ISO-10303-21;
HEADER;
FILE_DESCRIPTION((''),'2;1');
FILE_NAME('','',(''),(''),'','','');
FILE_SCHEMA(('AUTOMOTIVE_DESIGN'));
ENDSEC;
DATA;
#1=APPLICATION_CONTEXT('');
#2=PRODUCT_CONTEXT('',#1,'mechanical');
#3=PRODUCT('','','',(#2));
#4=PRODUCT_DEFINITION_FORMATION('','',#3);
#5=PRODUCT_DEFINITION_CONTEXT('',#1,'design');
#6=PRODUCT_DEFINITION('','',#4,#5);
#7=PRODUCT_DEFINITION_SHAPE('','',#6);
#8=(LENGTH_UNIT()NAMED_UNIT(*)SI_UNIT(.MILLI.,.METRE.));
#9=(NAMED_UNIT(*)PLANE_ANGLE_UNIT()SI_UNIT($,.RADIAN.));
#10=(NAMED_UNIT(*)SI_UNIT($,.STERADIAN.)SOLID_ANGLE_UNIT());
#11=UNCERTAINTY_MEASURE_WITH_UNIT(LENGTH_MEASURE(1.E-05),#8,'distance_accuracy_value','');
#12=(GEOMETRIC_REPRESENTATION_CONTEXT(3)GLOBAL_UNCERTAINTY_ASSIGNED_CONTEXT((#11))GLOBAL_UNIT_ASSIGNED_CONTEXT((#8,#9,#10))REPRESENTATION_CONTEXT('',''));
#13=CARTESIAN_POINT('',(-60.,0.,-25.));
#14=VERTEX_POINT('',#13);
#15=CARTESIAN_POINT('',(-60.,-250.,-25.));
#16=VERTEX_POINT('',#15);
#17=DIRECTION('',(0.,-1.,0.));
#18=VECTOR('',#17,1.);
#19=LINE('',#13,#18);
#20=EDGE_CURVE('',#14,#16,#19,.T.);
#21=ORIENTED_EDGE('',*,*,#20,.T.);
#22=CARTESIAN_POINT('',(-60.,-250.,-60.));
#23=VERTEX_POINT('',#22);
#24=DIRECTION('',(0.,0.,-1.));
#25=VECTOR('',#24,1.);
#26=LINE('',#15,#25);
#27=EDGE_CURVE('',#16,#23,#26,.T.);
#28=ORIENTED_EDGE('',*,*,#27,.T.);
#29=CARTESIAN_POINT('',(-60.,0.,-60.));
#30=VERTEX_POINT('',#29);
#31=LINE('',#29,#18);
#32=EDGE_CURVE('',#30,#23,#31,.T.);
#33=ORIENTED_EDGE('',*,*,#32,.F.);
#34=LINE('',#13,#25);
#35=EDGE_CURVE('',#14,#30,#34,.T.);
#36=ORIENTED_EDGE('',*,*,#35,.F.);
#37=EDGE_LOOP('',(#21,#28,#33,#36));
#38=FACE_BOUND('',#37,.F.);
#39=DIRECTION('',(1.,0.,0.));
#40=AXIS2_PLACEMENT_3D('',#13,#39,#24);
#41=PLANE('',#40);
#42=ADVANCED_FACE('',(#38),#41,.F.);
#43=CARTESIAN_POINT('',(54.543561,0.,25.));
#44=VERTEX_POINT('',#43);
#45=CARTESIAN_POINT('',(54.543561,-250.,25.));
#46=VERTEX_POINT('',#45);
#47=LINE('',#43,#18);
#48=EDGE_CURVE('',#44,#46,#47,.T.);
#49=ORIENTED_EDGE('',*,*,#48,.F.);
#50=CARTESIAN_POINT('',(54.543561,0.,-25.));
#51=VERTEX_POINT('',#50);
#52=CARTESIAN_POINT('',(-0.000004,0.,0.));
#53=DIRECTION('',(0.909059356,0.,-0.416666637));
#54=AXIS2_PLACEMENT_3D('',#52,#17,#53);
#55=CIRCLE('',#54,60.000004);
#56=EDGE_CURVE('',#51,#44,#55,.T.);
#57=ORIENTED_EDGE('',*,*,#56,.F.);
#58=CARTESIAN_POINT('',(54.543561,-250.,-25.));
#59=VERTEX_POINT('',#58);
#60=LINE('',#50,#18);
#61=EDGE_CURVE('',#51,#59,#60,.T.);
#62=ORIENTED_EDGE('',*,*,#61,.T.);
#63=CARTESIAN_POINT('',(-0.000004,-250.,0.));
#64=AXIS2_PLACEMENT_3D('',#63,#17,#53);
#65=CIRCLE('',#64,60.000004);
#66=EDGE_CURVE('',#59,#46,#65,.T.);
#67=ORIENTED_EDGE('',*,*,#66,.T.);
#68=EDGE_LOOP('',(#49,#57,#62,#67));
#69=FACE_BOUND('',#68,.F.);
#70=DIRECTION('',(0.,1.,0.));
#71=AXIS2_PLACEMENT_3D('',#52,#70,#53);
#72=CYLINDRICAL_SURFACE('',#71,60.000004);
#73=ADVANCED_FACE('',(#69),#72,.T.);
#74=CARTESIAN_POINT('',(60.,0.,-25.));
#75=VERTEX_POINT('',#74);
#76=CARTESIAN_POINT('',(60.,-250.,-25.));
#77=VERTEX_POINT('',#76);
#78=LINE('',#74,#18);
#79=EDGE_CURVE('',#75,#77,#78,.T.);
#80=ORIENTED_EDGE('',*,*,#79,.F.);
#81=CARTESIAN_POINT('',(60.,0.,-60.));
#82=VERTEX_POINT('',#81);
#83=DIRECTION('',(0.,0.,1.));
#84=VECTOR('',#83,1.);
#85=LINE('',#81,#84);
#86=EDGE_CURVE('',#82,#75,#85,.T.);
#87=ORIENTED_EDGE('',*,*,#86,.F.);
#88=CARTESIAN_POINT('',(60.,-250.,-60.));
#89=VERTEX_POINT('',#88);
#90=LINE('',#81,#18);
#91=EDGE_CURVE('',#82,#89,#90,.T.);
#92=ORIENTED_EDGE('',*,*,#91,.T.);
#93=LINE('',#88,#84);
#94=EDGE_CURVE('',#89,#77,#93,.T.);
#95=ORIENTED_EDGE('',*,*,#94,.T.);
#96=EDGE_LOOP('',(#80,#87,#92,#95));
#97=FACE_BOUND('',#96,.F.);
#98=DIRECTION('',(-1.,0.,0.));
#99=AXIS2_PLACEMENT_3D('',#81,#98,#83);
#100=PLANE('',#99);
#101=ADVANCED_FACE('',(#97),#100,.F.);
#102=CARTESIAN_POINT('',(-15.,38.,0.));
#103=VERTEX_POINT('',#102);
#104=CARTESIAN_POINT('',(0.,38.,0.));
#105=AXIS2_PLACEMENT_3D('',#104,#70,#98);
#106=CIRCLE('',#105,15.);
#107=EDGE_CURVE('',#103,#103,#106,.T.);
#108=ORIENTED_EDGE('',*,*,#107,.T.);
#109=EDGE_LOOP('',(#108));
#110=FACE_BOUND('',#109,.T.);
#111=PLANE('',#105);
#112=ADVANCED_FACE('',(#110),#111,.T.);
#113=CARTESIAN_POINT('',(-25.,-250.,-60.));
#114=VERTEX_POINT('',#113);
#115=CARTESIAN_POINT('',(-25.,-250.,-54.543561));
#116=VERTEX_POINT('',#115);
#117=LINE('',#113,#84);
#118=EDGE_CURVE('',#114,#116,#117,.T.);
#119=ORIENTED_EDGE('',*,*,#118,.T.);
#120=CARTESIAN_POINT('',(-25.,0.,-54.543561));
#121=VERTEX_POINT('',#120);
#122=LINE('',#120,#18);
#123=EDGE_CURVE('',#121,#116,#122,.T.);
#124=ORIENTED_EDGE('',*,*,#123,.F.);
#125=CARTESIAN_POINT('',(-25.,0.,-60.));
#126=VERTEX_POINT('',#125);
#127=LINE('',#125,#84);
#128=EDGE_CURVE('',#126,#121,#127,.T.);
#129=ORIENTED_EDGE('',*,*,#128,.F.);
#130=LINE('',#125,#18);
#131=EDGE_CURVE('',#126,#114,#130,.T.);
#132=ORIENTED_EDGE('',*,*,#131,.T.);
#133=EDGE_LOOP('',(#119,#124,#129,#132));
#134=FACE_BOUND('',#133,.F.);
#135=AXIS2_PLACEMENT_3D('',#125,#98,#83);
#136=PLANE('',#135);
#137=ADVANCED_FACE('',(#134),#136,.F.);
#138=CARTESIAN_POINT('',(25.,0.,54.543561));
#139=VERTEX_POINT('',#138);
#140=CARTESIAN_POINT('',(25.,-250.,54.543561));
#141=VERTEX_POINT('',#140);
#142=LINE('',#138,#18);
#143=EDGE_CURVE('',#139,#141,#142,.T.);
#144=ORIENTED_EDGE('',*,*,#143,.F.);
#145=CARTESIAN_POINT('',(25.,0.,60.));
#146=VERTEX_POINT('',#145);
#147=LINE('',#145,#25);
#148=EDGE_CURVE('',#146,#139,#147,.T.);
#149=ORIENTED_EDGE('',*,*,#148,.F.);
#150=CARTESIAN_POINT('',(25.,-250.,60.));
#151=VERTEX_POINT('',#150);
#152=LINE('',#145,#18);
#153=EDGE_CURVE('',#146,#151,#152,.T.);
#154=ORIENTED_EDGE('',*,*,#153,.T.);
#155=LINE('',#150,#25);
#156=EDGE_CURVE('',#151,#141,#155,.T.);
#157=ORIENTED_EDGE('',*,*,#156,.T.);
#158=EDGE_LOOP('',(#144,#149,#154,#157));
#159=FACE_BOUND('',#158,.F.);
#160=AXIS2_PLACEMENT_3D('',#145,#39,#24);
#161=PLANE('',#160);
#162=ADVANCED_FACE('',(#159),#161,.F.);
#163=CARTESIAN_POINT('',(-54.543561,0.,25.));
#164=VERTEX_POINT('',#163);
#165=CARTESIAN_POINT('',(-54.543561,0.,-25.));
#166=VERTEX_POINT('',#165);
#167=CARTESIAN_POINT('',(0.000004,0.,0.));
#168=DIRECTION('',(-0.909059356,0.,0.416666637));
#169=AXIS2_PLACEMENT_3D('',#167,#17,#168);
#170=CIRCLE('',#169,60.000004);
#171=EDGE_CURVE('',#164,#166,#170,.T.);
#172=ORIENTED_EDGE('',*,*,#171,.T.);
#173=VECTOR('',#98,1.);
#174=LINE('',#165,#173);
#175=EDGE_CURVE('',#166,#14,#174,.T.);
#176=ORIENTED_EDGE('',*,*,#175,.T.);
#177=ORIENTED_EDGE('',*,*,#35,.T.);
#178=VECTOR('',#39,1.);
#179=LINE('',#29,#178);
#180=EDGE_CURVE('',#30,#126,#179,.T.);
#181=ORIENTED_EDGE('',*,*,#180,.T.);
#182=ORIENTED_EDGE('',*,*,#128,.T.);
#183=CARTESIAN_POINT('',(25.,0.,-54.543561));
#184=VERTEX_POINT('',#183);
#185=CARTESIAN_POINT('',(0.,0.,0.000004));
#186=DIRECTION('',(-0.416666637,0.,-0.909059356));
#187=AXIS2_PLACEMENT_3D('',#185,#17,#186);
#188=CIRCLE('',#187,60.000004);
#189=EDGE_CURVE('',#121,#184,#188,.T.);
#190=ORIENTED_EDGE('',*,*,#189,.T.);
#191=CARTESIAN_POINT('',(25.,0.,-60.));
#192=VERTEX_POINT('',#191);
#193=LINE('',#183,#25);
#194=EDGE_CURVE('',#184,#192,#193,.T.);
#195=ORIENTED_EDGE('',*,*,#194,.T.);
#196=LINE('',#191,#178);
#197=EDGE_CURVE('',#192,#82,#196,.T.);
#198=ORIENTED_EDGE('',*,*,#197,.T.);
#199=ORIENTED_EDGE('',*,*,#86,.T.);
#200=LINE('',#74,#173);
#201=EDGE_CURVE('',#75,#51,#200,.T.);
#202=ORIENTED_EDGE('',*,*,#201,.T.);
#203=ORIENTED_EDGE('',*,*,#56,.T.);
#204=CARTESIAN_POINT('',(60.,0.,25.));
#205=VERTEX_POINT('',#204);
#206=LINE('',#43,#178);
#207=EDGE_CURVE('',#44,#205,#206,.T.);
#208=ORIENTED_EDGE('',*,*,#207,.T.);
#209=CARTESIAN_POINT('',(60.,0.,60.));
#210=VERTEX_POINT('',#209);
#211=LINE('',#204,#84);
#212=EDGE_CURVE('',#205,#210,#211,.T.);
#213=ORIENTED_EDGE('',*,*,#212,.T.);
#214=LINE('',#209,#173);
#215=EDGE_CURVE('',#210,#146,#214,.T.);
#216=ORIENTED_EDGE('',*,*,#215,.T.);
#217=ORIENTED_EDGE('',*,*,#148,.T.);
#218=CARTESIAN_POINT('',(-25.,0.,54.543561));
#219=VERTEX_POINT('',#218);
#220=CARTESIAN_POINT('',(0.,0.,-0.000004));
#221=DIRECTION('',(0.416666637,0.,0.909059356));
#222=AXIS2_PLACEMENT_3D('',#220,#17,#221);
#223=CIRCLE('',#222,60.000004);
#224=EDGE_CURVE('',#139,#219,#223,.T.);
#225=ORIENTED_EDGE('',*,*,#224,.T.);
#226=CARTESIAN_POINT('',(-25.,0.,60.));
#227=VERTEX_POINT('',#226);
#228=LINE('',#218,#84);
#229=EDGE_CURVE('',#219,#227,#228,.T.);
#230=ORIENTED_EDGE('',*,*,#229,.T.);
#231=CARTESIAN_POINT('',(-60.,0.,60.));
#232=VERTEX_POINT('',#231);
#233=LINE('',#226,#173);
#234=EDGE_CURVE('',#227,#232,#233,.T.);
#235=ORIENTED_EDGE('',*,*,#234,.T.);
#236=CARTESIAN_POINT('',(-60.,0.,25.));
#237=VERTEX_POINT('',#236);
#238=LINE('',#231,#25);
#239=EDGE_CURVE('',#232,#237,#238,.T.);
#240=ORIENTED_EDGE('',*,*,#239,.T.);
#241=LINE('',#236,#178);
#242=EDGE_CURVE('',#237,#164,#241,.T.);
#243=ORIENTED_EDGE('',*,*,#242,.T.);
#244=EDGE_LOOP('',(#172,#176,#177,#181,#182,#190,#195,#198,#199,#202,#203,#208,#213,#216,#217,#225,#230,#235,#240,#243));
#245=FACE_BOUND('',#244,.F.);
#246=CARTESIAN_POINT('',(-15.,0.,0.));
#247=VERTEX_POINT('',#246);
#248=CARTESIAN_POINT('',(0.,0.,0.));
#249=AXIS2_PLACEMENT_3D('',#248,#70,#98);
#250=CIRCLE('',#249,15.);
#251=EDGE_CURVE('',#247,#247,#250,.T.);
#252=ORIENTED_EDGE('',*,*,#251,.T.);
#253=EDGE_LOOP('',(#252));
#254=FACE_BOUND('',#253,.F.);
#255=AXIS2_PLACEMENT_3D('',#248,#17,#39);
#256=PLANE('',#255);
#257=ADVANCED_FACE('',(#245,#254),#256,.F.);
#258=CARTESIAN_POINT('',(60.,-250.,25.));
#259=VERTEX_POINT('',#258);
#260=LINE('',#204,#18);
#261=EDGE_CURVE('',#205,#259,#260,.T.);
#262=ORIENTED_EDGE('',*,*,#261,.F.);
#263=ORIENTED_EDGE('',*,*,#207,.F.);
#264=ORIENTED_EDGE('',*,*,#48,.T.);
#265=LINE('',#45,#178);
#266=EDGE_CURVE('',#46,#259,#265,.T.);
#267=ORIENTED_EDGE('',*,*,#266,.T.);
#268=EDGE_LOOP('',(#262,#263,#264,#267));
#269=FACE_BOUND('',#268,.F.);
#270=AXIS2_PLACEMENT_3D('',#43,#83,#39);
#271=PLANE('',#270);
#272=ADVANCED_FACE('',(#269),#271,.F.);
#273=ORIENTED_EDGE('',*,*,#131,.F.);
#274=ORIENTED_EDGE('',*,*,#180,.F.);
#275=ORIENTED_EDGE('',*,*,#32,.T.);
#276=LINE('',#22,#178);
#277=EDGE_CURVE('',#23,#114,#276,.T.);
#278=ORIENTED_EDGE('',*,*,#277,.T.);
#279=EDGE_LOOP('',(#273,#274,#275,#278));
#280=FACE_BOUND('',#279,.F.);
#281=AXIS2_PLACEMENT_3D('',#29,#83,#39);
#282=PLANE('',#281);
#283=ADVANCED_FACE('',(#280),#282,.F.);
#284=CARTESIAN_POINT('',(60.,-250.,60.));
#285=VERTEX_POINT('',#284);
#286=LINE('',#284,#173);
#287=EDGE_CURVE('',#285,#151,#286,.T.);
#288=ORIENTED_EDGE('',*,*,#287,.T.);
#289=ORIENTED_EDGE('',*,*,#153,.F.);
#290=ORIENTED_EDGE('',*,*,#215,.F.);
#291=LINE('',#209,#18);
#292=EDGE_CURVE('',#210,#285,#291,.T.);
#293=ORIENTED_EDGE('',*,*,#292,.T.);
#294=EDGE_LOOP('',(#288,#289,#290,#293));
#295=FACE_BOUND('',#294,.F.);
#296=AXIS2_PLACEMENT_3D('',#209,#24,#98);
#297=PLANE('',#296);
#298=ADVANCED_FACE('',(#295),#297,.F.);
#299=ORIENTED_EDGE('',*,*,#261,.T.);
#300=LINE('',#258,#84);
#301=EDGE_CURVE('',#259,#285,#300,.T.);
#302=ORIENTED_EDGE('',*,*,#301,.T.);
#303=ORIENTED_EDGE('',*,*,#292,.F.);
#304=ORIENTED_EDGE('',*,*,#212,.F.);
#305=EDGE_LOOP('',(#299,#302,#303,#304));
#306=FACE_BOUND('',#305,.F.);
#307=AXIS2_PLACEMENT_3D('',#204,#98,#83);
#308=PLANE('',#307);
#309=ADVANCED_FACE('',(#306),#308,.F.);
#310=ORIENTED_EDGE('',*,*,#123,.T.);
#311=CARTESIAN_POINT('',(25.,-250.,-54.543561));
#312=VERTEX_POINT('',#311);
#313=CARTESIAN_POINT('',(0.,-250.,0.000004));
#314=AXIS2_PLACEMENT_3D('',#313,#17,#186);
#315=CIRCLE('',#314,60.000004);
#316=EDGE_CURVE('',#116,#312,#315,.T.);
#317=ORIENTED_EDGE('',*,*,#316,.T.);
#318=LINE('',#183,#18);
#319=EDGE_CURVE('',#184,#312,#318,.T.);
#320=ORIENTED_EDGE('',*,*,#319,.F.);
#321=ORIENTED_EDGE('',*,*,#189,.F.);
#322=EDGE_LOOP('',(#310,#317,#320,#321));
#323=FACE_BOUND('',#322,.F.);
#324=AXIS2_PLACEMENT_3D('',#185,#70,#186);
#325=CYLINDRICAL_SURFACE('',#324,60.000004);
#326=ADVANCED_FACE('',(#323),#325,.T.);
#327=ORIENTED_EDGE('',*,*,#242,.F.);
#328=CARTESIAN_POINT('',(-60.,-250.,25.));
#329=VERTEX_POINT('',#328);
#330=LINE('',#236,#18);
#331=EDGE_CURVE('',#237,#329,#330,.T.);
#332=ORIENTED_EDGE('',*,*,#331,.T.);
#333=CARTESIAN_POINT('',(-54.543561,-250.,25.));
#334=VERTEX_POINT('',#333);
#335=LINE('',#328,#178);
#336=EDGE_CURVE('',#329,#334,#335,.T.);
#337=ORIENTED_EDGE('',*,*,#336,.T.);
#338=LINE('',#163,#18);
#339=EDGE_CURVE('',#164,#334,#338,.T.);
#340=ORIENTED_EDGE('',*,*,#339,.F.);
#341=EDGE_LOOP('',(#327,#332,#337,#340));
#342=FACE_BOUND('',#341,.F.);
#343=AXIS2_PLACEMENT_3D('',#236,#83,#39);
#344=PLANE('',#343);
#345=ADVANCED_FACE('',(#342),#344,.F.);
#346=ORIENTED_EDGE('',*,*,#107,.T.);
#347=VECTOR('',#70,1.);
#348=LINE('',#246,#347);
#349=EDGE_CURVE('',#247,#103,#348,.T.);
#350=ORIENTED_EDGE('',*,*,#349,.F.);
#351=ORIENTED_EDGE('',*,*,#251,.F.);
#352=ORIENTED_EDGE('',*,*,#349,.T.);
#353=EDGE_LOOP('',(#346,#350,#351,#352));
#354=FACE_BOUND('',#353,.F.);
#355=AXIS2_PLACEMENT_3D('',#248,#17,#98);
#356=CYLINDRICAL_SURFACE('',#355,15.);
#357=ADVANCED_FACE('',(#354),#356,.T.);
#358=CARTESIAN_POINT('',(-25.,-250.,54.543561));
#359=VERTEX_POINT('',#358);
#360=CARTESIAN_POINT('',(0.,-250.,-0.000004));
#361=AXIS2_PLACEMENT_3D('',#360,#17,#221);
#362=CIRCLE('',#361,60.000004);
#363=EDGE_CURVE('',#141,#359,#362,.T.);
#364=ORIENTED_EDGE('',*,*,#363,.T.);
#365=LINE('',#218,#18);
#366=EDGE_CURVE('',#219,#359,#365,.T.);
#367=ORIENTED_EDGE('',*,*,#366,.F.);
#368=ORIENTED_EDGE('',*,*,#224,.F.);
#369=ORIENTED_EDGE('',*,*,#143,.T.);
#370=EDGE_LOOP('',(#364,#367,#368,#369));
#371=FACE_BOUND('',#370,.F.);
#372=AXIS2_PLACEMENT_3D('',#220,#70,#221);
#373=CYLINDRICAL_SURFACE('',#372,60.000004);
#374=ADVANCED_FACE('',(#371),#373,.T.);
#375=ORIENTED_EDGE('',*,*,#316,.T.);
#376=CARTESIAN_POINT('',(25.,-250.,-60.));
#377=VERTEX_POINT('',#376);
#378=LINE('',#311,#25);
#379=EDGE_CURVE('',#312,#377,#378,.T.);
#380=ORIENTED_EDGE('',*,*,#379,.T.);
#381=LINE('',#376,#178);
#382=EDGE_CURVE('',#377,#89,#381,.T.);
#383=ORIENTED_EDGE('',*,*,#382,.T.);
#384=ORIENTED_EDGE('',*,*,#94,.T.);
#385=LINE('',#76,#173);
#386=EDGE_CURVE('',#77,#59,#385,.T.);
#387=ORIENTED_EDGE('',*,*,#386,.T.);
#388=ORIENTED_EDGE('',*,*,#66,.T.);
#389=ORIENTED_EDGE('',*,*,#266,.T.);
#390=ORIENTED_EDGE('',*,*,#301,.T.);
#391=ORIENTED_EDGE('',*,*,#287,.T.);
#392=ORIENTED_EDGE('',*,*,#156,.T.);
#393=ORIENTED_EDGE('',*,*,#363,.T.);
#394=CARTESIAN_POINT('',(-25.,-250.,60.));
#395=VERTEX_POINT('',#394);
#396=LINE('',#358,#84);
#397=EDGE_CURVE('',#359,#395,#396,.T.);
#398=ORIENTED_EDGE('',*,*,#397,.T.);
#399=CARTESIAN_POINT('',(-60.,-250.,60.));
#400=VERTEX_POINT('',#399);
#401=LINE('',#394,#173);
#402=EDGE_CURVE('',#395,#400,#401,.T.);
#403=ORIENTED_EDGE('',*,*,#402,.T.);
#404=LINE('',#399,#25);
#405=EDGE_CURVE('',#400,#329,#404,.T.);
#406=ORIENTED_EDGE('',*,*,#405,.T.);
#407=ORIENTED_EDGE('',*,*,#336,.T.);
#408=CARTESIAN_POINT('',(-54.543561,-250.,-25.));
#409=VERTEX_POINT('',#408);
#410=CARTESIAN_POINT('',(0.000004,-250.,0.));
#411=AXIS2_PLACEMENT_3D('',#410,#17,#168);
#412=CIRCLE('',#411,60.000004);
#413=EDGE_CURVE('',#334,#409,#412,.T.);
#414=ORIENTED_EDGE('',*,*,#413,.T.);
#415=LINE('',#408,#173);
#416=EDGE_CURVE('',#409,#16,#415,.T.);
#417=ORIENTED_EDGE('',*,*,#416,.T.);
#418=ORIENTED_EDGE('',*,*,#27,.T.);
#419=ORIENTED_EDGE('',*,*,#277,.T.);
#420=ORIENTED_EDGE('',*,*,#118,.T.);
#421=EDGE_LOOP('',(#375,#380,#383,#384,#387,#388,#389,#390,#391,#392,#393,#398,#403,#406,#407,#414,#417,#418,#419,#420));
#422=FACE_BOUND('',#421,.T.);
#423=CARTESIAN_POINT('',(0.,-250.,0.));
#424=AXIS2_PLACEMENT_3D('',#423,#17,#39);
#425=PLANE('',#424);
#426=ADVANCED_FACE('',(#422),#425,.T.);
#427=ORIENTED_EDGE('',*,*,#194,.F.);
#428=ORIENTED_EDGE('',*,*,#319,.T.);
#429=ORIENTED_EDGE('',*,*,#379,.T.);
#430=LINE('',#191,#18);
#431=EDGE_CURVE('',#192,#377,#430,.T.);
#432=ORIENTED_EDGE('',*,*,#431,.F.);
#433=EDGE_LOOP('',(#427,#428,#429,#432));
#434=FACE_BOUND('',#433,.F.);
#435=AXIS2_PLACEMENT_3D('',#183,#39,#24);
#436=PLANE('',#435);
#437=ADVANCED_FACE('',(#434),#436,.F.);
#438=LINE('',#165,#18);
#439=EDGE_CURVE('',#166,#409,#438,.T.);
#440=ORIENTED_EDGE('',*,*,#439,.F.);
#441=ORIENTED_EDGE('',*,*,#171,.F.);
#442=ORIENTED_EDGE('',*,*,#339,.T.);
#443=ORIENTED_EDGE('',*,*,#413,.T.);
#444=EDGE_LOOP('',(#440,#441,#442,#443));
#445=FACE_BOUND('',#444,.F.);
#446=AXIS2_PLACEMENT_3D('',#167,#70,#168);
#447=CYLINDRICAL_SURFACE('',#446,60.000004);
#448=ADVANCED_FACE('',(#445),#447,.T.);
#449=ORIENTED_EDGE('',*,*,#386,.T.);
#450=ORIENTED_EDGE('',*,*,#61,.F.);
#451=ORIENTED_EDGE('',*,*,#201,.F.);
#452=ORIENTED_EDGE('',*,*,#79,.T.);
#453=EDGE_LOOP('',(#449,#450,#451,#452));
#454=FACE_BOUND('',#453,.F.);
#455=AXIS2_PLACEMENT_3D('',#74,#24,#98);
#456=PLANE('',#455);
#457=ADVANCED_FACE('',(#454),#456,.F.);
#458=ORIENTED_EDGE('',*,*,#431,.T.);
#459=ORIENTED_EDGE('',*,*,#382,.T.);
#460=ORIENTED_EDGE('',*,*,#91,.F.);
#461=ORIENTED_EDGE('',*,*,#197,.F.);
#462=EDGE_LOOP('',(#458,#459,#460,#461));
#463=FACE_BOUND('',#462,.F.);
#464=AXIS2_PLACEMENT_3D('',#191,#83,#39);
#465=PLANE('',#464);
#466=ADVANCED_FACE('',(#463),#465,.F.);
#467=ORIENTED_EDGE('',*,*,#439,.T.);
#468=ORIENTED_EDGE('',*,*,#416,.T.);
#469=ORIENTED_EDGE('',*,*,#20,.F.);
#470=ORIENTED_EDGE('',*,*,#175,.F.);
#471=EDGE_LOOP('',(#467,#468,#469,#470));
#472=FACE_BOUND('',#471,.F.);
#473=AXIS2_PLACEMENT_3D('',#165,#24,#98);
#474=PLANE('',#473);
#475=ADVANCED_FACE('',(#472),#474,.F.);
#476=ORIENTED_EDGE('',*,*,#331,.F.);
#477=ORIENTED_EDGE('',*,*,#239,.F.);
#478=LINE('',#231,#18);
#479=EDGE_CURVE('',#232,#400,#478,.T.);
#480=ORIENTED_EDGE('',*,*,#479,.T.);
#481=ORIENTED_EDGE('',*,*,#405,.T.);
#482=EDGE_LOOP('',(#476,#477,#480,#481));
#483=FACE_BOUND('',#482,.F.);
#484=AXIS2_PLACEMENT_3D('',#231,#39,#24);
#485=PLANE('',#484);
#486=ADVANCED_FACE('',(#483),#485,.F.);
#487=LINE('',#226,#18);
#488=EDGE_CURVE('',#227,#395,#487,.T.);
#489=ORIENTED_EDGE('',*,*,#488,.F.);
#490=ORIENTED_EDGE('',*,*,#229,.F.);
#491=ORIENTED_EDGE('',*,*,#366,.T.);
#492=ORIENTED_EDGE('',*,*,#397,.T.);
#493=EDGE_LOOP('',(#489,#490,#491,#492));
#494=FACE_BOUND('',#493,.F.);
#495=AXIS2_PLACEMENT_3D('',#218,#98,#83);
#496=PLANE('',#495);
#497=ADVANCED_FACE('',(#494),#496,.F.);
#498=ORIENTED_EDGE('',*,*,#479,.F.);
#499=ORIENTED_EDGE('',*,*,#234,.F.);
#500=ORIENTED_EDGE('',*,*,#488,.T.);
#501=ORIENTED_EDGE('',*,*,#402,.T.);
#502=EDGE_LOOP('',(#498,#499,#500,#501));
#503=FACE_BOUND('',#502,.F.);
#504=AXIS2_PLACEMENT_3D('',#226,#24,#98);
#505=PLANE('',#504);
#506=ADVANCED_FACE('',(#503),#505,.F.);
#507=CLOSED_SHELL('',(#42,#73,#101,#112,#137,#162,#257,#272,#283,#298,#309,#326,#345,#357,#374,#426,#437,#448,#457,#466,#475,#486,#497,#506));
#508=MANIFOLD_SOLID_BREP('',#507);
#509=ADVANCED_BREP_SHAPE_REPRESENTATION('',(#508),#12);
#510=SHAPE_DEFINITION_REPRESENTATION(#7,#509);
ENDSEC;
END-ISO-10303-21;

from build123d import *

# Parameters (mm, degrees)
F1_DEPTH = 250
F2_R     = 15
F3_DEPTH = 38


with BuildPart() as f1:
    # F0 (on Front) → F1 (new body)
    with BuildSketch(Plane.XZ):
        with BuildLine():
            Line((-60, 25), (-54.543561, 25))
            ThreePointArc((-54.543561, 25), (-60, 0), (-54.543561, -25))
            Line((-54.543561, -25), (-60, -25))
            Line((-60, -25), (-60, -60))
            Line((-60, -60), (-25, -60))
            Line((-25, -60), (-25, -54.543561))
            ThreePointArc((-25, -54.543561), (0, -60), (25, -54.543561))
            Line((25, -54.543561), (25, -60))
            Line((25, -60), (60, -60))
            Line((60, -60), (60, -25))
            Line((60, -25), (54.543561, -25))
            ThreePointArc((54.543561, -25), (60, 0), (54.543561, 25))
            Line((54.543561, 25), (60, 25))
            Line((60, 25), (60, 60))
            Line((60, 60), (25, 60))
            Line((25, 60), (25, 54.543561))
            ThreePointArc((25, 54.543561), (0, 60), (-25, 54.543561))
            Line((-25, 54.543561), (-25, 60))
            Line((-25, 60), (-60, 60))
            Line((-60, 60), (-60, 25))
        make_face()
    extrude(amount=F1_DEPTH)

    # F2 (on face) → F3 (join)
    with BuildSketch(Plane(origin=(0, 0, 0), x_dir=(-1, 0, 0), z_dir=(0, 1, 0))):
        Circle(F2_R)
    extrude(amount=F3_DEPTH)


solid = f1.part
